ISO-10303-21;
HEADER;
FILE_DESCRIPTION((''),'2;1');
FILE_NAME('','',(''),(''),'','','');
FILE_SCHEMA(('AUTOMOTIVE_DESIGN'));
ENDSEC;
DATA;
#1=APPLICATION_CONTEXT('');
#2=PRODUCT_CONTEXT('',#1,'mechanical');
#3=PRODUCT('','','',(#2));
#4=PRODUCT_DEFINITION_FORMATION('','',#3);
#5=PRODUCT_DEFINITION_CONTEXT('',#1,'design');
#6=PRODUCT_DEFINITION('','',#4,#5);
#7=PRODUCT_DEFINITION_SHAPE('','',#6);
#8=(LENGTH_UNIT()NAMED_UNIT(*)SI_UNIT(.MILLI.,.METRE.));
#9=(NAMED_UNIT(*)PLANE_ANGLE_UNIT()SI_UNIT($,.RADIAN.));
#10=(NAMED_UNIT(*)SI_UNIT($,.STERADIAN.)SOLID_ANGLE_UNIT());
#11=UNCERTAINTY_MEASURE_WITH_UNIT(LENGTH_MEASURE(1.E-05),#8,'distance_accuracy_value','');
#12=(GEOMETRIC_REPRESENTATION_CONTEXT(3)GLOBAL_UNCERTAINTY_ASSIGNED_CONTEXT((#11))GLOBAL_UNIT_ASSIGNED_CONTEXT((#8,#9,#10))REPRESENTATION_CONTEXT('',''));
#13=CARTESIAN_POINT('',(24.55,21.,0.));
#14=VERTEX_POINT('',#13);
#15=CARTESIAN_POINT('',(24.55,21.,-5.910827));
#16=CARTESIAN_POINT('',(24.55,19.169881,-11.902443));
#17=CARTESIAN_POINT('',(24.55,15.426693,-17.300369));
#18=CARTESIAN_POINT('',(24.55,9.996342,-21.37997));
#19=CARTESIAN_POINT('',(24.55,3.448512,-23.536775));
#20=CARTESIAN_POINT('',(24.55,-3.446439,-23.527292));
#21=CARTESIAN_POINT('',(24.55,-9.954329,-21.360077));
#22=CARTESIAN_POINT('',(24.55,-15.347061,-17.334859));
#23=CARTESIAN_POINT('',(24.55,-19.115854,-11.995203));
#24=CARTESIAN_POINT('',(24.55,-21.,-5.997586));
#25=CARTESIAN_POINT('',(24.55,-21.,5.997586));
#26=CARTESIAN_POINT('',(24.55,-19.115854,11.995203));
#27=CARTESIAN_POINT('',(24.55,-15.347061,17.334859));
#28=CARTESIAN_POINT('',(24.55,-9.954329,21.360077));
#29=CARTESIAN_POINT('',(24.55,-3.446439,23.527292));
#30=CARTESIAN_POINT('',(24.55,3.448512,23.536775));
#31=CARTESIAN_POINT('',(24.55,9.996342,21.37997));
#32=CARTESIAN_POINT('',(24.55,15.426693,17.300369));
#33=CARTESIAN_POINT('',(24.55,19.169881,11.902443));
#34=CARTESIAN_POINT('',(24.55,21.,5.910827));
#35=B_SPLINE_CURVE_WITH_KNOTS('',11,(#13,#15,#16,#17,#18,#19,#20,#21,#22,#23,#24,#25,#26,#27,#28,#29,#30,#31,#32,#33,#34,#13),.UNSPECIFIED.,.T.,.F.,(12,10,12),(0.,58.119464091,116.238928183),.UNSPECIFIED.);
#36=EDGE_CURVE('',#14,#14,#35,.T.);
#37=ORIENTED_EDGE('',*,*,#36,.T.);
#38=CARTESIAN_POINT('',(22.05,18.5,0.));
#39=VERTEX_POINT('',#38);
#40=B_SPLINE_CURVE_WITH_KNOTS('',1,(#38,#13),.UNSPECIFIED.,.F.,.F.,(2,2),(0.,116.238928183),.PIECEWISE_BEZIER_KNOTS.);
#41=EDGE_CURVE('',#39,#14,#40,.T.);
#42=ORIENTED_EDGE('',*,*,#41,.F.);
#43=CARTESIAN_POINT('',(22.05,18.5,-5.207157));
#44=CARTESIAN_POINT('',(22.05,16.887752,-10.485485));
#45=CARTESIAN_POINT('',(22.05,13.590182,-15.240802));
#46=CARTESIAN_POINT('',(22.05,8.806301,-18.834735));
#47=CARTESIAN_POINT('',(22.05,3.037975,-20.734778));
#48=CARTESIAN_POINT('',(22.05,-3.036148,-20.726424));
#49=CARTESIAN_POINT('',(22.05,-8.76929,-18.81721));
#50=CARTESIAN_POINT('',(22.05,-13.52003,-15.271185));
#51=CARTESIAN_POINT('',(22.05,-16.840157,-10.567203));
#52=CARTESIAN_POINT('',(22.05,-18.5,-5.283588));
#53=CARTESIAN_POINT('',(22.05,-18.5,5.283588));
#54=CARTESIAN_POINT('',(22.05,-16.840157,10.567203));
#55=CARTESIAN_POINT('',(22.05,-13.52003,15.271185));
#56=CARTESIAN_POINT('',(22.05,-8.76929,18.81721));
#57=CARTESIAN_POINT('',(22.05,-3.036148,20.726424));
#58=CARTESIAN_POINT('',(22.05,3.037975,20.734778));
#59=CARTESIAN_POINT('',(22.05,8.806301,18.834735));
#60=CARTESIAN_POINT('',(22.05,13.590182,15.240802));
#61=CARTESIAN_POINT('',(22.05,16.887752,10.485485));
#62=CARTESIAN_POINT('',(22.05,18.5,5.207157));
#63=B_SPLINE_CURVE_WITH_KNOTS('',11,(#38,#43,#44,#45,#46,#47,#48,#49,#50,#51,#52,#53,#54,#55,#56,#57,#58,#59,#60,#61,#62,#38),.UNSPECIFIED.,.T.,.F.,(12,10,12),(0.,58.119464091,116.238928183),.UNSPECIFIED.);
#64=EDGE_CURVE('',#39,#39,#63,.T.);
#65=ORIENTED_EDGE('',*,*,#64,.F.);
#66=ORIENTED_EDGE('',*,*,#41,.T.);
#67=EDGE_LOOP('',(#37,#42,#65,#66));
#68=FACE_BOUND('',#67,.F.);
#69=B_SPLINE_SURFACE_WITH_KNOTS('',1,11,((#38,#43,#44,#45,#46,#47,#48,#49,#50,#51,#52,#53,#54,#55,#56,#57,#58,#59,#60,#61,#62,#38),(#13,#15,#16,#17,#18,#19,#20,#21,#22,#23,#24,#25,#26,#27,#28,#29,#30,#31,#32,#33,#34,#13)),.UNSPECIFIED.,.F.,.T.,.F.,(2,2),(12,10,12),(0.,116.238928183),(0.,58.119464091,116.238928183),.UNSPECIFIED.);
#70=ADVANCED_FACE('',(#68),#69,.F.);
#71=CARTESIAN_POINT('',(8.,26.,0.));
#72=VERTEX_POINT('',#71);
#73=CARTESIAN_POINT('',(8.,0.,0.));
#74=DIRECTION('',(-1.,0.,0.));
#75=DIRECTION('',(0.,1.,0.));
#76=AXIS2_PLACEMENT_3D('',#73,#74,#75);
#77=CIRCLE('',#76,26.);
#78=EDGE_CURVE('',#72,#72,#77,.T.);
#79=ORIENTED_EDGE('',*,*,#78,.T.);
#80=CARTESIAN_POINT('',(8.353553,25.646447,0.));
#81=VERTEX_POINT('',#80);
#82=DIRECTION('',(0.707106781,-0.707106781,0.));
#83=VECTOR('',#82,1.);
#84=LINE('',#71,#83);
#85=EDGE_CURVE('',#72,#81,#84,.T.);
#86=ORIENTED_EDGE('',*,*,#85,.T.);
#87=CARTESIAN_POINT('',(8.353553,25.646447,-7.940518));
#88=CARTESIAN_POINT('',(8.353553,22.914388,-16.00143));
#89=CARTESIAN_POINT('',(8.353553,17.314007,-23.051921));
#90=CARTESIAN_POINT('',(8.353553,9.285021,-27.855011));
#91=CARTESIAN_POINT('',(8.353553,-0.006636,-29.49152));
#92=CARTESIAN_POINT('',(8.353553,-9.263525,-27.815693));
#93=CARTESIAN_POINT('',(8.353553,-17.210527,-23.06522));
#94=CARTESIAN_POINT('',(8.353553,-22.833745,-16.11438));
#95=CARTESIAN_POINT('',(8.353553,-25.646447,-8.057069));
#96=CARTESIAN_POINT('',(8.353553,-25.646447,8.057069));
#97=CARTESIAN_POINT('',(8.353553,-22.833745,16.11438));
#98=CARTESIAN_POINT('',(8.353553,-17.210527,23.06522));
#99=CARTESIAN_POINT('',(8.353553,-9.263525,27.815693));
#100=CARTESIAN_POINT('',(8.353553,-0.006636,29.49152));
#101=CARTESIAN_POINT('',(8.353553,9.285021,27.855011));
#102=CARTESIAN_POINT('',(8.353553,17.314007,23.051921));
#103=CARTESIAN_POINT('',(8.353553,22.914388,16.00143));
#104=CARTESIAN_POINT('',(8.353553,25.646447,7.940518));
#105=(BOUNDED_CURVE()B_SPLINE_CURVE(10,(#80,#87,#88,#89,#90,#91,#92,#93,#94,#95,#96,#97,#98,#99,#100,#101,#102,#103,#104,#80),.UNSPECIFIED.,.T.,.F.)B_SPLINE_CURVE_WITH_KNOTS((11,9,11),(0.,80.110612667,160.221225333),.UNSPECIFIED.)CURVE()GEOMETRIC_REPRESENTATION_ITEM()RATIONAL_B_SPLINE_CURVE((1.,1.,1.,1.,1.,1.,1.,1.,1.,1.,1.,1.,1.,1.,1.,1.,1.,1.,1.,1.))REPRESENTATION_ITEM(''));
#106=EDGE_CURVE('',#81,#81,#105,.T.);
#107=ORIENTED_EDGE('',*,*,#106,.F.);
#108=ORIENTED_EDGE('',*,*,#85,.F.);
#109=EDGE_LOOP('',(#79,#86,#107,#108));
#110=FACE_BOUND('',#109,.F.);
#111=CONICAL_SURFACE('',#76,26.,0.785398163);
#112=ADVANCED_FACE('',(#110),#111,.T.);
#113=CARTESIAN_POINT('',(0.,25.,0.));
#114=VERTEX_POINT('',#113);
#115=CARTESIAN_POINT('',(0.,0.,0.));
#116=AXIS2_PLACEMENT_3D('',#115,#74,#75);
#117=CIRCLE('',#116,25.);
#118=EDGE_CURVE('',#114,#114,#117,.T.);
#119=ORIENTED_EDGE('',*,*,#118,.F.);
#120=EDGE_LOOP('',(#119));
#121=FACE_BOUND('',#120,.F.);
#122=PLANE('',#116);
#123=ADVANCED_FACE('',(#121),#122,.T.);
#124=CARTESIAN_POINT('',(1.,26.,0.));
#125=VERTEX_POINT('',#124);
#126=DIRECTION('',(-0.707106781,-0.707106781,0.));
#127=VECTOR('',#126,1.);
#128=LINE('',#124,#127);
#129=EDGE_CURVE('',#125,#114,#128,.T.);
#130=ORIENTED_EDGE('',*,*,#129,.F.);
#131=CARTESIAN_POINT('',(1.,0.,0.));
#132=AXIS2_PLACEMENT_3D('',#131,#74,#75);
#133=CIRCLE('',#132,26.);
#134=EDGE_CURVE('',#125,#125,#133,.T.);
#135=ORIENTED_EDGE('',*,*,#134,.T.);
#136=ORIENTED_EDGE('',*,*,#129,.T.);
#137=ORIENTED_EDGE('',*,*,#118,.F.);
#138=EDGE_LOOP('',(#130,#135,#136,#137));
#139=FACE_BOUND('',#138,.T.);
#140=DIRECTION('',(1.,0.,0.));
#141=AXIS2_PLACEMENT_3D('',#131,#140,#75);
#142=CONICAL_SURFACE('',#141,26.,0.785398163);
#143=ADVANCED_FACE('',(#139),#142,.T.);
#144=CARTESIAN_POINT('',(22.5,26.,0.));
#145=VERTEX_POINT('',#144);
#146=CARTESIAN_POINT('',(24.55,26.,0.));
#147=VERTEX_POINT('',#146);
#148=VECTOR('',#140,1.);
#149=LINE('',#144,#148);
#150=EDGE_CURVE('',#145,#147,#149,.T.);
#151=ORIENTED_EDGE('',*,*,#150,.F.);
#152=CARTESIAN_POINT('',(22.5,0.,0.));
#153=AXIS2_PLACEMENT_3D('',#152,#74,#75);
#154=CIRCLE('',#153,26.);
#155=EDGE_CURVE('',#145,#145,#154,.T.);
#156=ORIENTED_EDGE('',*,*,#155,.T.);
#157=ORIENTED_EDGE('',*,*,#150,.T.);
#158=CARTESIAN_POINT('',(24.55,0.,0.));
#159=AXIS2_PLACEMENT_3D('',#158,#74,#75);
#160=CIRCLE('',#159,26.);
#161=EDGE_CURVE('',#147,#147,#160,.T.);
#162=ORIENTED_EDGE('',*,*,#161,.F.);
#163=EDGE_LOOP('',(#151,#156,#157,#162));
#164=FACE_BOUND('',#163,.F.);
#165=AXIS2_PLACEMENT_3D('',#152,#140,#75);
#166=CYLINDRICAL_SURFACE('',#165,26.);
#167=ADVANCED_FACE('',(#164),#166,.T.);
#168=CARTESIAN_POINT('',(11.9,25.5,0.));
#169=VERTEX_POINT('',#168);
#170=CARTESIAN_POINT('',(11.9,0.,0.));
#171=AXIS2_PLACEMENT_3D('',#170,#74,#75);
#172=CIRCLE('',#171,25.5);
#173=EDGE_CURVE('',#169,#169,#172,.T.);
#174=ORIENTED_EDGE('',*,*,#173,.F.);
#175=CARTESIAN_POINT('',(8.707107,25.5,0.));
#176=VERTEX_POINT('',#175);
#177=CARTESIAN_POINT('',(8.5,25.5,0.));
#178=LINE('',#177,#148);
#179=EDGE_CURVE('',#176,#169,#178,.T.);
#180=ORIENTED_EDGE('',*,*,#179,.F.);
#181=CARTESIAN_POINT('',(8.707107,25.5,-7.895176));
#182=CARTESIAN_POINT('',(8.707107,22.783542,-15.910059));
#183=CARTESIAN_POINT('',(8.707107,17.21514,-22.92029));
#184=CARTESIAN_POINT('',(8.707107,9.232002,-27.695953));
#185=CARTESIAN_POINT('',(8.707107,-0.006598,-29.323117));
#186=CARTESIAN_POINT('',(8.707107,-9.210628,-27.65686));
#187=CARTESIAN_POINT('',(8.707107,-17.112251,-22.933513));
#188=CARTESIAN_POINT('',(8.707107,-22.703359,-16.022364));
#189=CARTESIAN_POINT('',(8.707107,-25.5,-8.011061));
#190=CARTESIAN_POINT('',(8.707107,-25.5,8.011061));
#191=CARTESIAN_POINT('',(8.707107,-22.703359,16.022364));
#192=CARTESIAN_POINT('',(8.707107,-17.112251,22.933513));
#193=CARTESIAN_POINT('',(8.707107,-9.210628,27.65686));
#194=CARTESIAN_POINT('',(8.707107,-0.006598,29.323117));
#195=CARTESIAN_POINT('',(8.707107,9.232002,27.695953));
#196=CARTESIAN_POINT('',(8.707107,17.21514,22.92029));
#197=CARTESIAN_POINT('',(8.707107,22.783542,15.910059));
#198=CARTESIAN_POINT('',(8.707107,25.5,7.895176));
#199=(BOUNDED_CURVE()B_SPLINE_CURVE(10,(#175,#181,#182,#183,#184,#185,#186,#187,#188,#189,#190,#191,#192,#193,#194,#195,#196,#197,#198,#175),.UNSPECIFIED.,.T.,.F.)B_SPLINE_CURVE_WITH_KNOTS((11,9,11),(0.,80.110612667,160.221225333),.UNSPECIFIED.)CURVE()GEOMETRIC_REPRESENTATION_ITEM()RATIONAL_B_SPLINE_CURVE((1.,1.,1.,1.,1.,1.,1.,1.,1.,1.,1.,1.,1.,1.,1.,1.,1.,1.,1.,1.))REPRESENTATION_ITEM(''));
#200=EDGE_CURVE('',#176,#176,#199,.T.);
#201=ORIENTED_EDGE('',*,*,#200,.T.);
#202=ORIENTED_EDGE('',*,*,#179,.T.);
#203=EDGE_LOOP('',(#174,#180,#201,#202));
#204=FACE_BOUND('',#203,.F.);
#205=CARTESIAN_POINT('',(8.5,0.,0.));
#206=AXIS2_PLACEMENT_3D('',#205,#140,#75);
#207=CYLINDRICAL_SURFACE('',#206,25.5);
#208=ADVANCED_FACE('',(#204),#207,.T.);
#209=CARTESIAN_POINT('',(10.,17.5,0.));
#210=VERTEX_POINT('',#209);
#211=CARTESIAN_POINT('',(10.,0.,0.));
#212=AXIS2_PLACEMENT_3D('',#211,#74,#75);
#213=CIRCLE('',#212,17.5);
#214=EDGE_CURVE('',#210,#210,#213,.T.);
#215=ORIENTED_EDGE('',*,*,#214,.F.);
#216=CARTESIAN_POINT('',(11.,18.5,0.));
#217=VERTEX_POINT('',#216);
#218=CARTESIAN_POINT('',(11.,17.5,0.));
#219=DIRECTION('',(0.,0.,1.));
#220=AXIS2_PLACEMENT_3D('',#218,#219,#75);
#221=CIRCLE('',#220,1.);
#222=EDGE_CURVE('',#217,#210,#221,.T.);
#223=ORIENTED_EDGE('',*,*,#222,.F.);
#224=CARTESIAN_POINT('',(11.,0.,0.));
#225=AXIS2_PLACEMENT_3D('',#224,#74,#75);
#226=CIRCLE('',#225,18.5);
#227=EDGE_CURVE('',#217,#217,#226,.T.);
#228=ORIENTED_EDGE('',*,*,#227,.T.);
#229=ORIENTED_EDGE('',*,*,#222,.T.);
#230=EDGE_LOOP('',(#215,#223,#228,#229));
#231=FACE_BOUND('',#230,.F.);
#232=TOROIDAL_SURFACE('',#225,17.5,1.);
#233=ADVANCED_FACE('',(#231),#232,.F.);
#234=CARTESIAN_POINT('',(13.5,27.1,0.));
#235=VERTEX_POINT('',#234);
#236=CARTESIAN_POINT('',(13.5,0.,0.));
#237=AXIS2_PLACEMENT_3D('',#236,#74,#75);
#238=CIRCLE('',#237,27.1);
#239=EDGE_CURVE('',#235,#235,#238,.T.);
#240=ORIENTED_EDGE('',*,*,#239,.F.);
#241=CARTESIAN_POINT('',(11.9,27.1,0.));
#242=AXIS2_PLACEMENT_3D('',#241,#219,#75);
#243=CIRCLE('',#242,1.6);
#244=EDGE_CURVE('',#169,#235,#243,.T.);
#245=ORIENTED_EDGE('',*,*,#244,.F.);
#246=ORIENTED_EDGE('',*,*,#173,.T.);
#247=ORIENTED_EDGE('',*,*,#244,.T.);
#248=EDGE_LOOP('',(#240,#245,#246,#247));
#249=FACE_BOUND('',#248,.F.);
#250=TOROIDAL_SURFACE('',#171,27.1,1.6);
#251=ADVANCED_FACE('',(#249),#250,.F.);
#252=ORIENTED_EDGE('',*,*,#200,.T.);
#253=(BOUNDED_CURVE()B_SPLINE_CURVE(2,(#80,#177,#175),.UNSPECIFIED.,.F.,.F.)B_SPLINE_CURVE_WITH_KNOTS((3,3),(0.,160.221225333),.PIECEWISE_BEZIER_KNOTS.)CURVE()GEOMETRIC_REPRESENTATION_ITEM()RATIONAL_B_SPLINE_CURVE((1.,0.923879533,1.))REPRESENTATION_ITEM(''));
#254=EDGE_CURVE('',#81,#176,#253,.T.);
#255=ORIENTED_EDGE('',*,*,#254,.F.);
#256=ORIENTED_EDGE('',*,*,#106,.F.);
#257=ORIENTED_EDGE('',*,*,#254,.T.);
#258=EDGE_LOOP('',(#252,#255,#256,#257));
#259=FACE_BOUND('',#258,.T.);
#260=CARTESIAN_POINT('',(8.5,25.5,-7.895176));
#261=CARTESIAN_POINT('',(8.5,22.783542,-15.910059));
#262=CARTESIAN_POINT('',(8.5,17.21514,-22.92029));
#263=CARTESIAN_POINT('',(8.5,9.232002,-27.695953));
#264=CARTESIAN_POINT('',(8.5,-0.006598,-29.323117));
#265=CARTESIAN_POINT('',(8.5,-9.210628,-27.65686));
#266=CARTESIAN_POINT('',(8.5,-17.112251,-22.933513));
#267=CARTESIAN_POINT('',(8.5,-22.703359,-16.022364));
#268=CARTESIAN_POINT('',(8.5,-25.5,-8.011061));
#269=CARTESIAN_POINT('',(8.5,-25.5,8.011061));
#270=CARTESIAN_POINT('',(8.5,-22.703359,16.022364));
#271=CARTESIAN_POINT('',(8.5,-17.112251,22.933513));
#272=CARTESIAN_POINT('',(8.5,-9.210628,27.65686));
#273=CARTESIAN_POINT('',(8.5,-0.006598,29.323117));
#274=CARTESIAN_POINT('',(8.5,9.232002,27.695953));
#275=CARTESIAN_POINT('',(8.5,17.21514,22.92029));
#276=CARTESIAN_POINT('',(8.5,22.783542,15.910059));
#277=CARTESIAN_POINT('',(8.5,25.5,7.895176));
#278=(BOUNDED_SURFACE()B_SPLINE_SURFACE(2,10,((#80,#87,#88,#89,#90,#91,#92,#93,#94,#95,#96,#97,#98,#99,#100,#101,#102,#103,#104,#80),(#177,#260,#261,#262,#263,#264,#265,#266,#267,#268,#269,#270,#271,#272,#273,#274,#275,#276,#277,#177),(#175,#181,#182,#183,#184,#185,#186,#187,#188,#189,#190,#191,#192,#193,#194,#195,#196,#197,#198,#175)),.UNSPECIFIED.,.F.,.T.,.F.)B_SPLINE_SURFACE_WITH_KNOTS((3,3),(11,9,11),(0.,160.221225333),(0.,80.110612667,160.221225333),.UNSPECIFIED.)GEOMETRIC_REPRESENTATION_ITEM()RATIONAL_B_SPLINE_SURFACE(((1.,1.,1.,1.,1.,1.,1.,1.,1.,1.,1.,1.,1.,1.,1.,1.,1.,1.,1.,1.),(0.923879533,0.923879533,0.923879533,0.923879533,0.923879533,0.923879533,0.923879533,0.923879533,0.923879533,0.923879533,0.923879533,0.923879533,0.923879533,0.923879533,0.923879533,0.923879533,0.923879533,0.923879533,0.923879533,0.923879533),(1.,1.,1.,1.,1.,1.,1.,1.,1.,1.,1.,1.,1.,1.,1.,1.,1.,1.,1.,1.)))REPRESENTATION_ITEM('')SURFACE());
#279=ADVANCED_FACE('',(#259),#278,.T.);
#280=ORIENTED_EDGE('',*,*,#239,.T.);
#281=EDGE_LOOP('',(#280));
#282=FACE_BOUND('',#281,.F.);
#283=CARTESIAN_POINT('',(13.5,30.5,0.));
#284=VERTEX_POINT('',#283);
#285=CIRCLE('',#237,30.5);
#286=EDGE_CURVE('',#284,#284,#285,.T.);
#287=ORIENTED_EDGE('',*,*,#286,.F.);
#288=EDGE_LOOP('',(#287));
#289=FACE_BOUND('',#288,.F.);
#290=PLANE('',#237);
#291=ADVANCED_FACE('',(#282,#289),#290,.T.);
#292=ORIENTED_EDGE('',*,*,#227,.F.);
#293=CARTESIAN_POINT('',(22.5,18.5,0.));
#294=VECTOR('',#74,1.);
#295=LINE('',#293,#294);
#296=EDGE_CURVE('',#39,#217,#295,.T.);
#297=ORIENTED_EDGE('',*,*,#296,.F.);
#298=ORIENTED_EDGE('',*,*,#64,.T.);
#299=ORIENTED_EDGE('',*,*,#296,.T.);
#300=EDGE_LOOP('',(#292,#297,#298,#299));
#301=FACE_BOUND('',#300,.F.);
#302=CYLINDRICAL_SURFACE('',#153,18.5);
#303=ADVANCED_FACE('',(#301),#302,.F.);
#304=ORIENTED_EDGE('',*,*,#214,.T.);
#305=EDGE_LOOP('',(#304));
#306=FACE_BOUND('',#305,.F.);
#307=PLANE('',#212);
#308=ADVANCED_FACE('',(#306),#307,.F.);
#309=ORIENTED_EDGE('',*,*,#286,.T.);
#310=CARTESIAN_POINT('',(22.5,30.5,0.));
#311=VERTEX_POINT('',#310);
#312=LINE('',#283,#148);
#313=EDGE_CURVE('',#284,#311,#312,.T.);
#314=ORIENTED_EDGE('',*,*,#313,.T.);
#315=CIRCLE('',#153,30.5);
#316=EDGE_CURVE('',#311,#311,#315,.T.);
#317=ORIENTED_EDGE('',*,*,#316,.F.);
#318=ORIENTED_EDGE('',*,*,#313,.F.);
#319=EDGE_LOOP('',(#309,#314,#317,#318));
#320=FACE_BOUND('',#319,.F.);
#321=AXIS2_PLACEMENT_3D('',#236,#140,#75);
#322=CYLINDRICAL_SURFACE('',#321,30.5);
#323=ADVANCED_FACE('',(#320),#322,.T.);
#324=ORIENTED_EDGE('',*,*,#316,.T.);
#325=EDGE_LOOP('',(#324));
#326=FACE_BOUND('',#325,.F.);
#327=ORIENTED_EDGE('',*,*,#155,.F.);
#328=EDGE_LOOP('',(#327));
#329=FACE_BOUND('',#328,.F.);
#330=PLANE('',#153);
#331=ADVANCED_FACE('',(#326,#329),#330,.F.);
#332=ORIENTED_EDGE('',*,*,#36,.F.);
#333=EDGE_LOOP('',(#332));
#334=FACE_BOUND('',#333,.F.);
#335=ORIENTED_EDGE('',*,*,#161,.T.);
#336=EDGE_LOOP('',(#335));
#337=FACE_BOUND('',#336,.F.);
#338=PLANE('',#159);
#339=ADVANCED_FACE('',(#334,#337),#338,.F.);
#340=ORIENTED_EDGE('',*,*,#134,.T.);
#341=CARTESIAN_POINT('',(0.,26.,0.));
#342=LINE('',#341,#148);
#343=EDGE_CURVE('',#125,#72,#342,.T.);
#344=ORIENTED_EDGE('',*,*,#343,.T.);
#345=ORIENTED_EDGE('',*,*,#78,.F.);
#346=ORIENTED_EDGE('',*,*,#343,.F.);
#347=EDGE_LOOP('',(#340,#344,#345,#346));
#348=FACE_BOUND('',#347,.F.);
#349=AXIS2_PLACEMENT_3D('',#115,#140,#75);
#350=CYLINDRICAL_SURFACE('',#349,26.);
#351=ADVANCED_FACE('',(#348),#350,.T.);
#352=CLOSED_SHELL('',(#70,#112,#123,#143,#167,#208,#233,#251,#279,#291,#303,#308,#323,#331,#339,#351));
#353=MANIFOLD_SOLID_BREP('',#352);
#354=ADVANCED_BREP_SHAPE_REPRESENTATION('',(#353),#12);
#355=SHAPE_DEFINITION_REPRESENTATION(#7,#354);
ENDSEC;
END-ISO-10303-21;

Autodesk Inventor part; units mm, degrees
ref_plane "YZ Plane" through (0, 0, 0) normal (1, 0, 0) x (0, 1, 0)
ref_plane "XZ Plane" through (0, 0, 0) normal (0, 1, 0) x (-1, 0, 0)
ref_plane "XY Plane" through (0, 0, 0) normal (0, 0, 1) x (1, 0, 0)
sketch "Эскиз1" plane through (0, 0, 0) normal (0, 0, 1) x (1, 0, 0)
  line L0 (0, 0) -> (0, 26)
  line L1 (0, 26) -> (8, 26)
  line L2 (8, 26) -> (8.5, 25.5)
  line L3 (8.5, 25.5) -> (13.5, 25.5)
  line L4 (13.5, 25.5) -> (13.5, 30.5)
  line L5 (13.5, 30.5) -> (22.5, 30.5)
  line L6 (22.5, 30.5) -> (22.5, 26)
  line L7 (22.5, 18.5) -> (10, 18.5)
  line L8 (10, 18.5) -> (10, 0)
  line L9 (10, 0) -> (0, 0)
  line L10 (22.5, 26) -> (24.55, 26)
  line L11 (24.55, 26) -> (24.55, 18.5)
  line L12 (24.55, 18.5) -> (22.5, 18.5)
  dimension "d0" = 52
  dimension "d1" = 0.5
  dimension "d2" = 45
  dimension "d3" = 5
  dimension "d4" = 8
  dimension "d5" = 12
  dimension "d6" = 10
  dimension "d7" = 9
  dimension "d8" = 4.5
  dimension "d19" = 22.5
  dimension "d23" = 2.05
revolve "Вращение1" add sketch "Эскиз1" angle 360 about axis through (10, 0, 0) along (-1, 0, 0)
fillet "Сопряжение1" radius 0.5 1 edges at (8.5, -25.5, 0)
fillet "Сопряжение2" radius 1.6 1 edges at (13.5, -25.5, 0)
chamfer "Фаска1" distance 1 angle 45 1 edges at (0, -26, 0)
fillet "Сопряжение3" radius 1 1 edges at (10, -18.5, 0)
chamfer "Фаска4" distance 2.5 angle 45 1 edges at (24.55, -18.5, 0)
equation "\"d5\" = 1.5 * d4"
equation "\"d8\" = 0.5 * d7"
properties part number "Крышка_пром"
